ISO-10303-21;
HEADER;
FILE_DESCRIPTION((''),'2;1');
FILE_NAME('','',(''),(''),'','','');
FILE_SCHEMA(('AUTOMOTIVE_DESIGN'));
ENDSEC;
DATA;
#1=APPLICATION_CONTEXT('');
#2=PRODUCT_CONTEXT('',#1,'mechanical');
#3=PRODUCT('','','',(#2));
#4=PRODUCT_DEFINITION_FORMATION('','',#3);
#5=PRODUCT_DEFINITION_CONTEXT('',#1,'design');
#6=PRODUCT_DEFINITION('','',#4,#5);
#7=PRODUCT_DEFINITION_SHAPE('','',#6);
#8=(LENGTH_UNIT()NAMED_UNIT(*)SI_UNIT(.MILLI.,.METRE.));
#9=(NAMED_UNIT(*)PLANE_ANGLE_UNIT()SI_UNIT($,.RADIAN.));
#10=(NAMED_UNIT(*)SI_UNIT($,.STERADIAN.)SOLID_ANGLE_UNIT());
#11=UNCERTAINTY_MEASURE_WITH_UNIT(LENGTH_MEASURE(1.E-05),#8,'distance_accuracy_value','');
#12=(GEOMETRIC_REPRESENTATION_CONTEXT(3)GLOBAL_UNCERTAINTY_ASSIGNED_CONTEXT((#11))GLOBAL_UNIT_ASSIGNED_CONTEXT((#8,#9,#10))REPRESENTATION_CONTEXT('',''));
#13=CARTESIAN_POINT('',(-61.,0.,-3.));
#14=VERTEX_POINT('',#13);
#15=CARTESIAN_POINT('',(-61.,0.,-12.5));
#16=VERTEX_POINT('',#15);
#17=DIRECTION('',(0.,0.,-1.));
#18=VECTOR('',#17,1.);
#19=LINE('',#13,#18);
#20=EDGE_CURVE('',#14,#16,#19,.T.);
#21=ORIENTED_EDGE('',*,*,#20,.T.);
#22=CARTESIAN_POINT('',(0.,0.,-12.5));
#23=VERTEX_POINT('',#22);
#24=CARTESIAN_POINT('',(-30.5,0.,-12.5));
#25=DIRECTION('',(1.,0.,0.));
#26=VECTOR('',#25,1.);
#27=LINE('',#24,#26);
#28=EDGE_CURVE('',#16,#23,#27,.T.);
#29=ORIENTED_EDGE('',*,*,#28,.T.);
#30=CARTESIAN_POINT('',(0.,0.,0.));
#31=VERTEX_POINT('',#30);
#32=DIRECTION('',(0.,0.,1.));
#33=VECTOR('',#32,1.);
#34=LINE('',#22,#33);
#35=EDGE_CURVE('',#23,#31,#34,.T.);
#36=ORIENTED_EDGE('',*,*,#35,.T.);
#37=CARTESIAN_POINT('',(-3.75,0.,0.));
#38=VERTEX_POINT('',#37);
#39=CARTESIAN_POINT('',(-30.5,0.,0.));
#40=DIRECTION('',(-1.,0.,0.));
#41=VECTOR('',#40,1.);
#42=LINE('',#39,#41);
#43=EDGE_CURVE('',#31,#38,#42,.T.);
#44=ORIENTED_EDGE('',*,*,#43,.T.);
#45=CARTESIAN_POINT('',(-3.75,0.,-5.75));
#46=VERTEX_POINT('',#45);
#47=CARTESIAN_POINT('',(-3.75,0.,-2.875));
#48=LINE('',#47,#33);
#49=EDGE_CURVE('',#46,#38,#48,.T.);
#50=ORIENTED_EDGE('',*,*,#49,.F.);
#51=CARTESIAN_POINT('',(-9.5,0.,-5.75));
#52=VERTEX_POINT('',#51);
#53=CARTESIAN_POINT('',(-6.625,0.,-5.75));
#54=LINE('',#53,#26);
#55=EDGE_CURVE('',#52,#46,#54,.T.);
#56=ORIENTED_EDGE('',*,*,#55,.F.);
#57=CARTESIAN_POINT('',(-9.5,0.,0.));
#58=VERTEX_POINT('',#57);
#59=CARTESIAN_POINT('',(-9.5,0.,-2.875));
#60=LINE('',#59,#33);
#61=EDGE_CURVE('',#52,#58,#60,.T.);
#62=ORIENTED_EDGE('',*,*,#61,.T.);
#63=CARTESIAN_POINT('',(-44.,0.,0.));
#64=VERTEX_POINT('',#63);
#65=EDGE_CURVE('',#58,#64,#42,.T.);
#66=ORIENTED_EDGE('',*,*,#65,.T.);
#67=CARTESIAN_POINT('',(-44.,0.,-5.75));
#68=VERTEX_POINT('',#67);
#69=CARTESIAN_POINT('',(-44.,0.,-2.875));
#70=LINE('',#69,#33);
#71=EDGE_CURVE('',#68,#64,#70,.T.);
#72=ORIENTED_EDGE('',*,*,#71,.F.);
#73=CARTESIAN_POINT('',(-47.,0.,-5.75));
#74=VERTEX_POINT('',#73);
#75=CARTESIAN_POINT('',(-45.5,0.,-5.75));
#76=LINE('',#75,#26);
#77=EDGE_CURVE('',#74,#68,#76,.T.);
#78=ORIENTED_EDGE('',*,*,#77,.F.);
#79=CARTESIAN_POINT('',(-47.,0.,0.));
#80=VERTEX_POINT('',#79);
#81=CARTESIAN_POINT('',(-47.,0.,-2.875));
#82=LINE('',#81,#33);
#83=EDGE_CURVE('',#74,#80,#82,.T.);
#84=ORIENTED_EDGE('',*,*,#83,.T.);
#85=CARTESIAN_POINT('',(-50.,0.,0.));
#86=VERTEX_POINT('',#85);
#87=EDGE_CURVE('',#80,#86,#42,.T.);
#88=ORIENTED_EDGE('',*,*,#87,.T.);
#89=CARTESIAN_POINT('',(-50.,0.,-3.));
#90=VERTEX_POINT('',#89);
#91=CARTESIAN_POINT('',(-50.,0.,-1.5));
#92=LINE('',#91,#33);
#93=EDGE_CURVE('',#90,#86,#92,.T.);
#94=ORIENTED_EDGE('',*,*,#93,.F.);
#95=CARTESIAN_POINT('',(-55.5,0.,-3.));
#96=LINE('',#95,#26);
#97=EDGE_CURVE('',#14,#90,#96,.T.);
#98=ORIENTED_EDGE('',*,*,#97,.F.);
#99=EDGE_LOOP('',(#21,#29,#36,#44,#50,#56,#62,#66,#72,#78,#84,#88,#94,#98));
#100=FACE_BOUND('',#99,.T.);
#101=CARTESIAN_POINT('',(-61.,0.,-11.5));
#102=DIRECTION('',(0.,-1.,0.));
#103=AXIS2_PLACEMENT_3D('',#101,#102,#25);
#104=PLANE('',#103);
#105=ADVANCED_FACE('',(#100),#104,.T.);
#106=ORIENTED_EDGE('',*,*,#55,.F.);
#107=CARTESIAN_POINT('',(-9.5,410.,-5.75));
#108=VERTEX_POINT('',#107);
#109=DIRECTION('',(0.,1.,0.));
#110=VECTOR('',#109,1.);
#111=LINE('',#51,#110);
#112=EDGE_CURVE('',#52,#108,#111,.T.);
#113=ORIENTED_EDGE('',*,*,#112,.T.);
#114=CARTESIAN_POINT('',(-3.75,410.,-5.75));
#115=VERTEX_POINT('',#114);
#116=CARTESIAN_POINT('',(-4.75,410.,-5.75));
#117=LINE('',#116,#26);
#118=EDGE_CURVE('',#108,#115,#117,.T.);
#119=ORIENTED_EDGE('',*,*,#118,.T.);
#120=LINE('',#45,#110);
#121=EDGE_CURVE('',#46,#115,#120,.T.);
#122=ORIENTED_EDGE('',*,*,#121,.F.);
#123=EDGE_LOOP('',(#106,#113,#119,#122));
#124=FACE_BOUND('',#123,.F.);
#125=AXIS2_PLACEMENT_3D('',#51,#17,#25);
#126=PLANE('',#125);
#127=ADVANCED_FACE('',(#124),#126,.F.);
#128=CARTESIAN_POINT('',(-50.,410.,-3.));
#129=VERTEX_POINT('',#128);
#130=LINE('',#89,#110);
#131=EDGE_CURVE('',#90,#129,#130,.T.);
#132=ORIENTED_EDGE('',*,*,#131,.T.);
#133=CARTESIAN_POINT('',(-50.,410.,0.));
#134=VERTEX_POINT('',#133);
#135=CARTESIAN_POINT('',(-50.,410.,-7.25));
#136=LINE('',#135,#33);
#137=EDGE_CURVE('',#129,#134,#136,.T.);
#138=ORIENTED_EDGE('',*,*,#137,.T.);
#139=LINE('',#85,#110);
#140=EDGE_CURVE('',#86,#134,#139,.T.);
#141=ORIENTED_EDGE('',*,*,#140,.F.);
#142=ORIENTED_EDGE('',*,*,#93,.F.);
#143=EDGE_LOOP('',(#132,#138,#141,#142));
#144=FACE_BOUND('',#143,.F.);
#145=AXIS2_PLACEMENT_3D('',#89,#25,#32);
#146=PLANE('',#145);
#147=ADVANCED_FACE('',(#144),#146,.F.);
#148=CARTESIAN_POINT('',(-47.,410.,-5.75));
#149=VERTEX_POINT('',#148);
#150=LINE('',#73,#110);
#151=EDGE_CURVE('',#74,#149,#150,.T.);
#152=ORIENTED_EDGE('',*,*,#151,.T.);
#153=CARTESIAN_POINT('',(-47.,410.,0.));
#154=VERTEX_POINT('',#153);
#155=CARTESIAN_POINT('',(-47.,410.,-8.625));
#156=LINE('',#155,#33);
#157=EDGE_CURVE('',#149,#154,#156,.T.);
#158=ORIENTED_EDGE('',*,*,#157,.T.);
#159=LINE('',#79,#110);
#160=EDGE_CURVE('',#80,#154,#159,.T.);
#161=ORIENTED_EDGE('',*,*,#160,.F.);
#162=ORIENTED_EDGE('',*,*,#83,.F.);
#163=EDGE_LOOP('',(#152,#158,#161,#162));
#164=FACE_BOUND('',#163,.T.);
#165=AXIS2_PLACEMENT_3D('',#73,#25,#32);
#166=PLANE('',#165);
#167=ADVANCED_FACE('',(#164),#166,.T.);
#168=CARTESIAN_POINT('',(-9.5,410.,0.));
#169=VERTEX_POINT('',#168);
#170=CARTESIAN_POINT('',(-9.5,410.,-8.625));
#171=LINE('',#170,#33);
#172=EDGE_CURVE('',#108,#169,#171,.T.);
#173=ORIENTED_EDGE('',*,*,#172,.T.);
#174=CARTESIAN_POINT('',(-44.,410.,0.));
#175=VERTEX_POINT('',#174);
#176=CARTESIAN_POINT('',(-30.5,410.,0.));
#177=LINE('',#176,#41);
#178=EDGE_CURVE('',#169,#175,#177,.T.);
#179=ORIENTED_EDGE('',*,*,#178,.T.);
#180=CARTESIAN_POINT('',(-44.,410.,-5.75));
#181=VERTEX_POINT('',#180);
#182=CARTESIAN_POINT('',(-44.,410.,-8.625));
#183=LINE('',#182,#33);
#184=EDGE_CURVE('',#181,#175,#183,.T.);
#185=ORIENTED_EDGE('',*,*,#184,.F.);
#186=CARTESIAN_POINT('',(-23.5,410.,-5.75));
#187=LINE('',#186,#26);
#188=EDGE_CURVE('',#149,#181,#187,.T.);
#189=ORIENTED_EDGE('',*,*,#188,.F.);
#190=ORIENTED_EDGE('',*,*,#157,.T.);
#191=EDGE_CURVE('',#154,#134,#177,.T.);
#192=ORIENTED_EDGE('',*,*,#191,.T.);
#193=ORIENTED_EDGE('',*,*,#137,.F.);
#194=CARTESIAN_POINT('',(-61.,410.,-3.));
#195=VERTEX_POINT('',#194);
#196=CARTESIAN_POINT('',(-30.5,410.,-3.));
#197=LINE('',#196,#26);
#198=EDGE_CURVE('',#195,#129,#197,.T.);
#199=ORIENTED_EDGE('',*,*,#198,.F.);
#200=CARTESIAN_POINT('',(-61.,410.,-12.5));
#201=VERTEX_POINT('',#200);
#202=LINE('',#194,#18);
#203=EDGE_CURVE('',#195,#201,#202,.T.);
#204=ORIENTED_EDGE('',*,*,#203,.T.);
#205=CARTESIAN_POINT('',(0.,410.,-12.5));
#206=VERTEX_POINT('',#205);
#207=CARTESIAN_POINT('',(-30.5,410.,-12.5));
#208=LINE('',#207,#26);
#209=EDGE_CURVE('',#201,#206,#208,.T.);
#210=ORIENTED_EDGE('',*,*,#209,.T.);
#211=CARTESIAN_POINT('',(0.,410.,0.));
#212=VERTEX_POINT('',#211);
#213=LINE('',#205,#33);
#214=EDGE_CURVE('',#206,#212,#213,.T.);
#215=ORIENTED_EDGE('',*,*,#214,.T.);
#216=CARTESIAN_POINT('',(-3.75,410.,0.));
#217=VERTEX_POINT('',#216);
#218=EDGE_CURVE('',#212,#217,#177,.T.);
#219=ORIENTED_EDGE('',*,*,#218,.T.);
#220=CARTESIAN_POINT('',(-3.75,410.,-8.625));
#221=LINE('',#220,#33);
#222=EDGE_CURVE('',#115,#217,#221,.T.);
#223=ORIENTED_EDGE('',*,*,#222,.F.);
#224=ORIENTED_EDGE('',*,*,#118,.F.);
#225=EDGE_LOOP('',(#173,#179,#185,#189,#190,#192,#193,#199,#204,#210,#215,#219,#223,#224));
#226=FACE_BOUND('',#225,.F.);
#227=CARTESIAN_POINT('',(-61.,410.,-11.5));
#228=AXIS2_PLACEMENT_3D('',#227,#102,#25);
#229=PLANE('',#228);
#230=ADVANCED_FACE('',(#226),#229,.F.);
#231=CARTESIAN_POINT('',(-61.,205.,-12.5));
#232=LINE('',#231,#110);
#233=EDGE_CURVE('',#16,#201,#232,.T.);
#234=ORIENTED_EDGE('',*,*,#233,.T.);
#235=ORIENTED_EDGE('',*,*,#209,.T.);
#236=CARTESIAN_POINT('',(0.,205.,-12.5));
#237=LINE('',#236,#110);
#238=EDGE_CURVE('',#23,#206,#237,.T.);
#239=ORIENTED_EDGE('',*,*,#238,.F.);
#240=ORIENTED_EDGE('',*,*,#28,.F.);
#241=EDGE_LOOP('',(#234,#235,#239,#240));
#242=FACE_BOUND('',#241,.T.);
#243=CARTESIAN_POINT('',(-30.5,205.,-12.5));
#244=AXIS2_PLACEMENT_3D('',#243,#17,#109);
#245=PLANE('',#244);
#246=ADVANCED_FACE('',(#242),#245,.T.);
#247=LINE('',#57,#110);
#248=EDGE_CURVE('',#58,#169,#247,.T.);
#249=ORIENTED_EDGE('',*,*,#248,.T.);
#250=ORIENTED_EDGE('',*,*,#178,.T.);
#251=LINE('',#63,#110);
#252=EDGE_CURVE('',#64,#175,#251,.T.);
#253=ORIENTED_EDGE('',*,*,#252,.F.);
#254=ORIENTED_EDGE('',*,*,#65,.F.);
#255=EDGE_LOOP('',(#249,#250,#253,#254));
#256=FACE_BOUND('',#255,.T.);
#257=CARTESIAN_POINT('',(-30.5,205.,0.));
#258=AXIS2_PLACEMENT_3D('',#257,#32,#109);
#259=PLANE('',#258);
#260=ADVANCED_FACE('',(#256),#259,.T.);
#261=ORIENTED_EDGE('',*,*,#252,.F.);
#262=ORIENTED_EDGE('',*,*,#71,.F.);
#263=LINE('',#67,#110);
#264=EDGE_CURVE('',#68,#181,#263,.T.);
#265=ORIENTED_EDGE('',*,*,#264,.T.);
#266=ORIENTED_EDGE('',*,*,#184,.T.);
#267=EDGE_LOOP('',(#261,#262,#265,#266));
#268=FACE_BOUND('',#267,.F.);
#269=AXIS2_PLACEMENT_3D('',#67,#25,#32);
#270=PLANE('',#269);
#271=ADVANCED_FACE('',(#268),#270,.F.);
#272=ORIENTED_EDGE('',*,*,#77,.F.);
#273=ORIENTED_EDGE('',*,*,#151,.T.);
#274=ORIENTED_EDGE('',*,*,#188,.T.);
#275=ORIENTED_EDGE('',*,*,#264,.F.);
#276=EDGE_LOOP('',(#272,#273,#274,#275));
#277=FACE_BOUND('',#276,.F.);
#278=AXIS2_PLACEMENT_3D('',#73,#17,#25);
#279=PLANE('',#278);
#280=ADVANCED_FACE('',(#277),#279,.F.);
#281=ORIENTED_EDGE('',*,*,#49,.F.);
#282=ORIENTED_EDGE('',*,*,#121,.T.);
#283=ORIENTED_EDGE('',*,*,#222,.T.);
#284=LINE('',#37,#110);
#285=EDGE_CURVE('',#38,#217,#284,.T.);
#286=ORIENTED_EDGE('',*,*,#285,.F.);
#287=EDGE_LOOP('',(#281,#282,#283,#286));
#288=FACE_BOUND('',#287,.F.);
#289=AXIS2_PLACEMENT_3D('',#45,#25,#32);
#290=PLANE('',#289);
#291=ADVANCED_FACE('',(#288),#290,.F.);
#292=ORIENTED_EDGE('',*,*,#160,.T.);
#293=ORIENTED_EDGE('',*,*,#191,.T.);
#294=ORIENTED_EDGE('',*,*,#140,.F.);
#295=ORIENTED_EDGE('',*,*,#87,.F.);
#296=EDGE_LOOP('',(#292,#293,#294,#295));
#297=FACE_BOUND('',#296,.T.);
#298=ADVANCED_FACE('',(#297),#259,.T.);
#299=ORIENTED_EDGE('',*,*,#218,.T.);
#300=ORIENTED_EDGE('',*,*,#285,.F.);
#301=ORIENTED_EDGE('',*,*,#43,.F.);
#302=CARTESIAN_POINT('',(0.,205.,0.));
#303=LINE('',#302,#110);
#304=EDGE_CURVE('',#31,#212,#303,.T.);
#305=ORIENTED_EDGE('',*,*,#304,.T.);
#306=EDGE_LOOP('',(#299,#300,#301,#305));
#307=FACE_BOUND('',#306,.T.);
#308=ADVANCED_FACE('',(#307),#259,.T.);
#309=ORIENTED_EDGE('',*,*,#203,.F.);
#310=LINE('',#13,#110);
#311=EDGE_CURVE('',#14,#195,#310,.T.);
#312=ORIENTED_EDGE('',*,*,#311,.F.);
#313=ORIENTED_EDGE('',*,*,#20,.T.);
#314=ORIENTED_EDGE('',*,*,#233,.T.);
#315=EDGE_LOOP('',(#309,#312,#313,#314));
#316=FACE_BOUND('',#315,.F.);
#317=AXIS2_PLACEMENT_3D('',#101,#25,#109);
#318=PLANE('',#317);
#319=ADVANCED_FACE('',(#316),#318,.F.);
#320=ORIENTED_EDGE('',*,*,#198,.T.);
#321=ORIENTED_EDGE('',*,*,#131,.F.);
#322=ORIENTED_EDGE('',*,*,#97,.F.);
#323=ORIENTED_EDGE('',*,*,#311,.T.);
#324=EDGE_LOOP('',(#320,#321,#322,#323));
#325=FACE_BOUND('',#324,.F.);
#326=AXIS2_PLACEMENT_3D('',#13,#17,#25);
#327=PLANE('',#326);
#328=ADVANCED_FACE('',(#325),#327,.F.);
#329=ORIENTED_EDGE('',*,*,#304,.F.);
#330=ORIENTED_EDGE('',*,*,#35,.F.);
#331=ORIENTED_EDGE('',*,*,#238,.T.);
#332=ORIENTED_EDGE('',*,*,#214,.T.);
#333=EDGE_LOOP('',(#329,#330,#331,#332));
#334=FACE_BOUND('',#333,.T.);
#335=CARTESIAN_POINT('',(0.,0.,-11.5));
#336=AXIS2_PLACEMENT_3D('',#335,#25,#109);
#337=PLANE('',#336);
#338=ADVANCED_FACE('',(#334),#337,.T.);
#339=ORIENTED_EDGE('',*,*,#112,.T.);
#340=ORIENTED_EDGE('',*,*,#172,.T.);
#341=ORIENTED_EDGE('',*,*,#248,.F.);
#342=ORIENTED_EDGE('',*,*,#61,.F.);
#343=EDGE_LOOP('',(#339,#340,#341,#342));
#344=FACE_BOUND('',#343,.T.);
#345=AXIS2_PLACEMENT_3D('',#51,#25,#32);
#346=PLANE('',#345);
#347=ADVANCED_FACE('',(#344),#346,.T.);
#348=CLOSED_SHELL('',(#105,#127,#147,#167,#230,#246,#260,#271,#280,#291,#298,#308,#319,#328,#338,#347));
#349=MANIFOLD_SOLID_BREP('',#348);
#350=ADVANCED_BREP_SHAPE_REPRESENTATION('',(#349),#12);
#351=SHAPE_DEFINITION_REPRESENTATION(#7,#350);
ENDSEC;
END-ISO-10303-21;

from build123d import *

# Parameters (mm, degrees)
SKETCH_W             = 410
SKETCH_H             = 61
PAD_DEPTH            = 11.5
SKETCH001_W          = 11
SKETCH001_H          = 3
POCKET_DEPTH         = 410.001
SKETCH002_W          = 5.75
SKETCH002_H          = 5.75
POCKET001_DEPTH      = 410.001
SKETCH003_W          = 3
SKETCH003_H          = 5.75
POCKET002_DEPTH      = 410.001
SKETCH005_W          = 410
SKETCH005_H          = 61
PAD001_DEPTH         = 1
BODY_PLACEMENT_ANGLE = 90


with BuildPart() as part:
    # Sketch → Pad (new body)
    with BuildSketch(Plane.XY):
        with Locations((205, 30.5)):
            Rectangle(SKETCH_W, SKETCH_H)
    extrude(amount=PAD_DEPTH)

    # Sketch001 (on Face4 of Pad) → Pocket (cut, through all)
    with BuildSketch(Plane(origin=(0, 0, 0), x_dir=(0, -1, 0), z_dir=(-1, 0, 0))):
        with Locations((-55.5, 10)):
            Rectangle(SKETCH001_W, SKETCH001_H)
    extrude(amount=-POCKET_DEPTH, mode=Mode.SUBTRACT)

    # Sketch002 (on Face2 of Pocket) → Pocket001 (cut, through all)
    with BuildSketch(Plane(origin=(0, 0, 0), x_dir=(0, -1, 0), z_dir=(-1, 0, 0))):
        with Locations((-6.625, 8.625)):
            Rectangle(SKETCH002_W, SKETCH002_H)
    extrude(amount=-POCKET001_DEPTH, mode=Mode.SUBTRACT)

    # Sketch003 (on Face2 of Pocket001) → Pocket002 (cut, through all)
    with BuildSketch(Plane(origin=(0, 0, 0), x_dir=(0, -1, 0), z_dir=(-1, 0, 0))):
        with Locations((-45.5, 8.625)):
            Rectangle(SKETCH003_W, SKETCH003_H)
    extrude(amount=-POCKET002_DEPTH, mode=Mode.SUBTRACT)

    # Sketch005 (on Face4 of Pocket002) → Pad001 (join)
    with BuildSketch(Plane(origin=(0, 0, 0), x_dir=(1, 0, 0), z_dir=(0, 0, -1))):
        with Locations((205, -30.5)):
            Rectangle(SKETCH005_W, SKETCH005_H)
    extrude(amount=PAD001_DEPTH)


with BuildPart() as part_1:
    # Body placement: moved
    add(part.part.moved(Location((0, 0, -11.5))).rotate(Axis((0, 0, -11.5), (0, 0, 1)), BODY_PLACEMENT_ANGLE))


solid = part_1.part
